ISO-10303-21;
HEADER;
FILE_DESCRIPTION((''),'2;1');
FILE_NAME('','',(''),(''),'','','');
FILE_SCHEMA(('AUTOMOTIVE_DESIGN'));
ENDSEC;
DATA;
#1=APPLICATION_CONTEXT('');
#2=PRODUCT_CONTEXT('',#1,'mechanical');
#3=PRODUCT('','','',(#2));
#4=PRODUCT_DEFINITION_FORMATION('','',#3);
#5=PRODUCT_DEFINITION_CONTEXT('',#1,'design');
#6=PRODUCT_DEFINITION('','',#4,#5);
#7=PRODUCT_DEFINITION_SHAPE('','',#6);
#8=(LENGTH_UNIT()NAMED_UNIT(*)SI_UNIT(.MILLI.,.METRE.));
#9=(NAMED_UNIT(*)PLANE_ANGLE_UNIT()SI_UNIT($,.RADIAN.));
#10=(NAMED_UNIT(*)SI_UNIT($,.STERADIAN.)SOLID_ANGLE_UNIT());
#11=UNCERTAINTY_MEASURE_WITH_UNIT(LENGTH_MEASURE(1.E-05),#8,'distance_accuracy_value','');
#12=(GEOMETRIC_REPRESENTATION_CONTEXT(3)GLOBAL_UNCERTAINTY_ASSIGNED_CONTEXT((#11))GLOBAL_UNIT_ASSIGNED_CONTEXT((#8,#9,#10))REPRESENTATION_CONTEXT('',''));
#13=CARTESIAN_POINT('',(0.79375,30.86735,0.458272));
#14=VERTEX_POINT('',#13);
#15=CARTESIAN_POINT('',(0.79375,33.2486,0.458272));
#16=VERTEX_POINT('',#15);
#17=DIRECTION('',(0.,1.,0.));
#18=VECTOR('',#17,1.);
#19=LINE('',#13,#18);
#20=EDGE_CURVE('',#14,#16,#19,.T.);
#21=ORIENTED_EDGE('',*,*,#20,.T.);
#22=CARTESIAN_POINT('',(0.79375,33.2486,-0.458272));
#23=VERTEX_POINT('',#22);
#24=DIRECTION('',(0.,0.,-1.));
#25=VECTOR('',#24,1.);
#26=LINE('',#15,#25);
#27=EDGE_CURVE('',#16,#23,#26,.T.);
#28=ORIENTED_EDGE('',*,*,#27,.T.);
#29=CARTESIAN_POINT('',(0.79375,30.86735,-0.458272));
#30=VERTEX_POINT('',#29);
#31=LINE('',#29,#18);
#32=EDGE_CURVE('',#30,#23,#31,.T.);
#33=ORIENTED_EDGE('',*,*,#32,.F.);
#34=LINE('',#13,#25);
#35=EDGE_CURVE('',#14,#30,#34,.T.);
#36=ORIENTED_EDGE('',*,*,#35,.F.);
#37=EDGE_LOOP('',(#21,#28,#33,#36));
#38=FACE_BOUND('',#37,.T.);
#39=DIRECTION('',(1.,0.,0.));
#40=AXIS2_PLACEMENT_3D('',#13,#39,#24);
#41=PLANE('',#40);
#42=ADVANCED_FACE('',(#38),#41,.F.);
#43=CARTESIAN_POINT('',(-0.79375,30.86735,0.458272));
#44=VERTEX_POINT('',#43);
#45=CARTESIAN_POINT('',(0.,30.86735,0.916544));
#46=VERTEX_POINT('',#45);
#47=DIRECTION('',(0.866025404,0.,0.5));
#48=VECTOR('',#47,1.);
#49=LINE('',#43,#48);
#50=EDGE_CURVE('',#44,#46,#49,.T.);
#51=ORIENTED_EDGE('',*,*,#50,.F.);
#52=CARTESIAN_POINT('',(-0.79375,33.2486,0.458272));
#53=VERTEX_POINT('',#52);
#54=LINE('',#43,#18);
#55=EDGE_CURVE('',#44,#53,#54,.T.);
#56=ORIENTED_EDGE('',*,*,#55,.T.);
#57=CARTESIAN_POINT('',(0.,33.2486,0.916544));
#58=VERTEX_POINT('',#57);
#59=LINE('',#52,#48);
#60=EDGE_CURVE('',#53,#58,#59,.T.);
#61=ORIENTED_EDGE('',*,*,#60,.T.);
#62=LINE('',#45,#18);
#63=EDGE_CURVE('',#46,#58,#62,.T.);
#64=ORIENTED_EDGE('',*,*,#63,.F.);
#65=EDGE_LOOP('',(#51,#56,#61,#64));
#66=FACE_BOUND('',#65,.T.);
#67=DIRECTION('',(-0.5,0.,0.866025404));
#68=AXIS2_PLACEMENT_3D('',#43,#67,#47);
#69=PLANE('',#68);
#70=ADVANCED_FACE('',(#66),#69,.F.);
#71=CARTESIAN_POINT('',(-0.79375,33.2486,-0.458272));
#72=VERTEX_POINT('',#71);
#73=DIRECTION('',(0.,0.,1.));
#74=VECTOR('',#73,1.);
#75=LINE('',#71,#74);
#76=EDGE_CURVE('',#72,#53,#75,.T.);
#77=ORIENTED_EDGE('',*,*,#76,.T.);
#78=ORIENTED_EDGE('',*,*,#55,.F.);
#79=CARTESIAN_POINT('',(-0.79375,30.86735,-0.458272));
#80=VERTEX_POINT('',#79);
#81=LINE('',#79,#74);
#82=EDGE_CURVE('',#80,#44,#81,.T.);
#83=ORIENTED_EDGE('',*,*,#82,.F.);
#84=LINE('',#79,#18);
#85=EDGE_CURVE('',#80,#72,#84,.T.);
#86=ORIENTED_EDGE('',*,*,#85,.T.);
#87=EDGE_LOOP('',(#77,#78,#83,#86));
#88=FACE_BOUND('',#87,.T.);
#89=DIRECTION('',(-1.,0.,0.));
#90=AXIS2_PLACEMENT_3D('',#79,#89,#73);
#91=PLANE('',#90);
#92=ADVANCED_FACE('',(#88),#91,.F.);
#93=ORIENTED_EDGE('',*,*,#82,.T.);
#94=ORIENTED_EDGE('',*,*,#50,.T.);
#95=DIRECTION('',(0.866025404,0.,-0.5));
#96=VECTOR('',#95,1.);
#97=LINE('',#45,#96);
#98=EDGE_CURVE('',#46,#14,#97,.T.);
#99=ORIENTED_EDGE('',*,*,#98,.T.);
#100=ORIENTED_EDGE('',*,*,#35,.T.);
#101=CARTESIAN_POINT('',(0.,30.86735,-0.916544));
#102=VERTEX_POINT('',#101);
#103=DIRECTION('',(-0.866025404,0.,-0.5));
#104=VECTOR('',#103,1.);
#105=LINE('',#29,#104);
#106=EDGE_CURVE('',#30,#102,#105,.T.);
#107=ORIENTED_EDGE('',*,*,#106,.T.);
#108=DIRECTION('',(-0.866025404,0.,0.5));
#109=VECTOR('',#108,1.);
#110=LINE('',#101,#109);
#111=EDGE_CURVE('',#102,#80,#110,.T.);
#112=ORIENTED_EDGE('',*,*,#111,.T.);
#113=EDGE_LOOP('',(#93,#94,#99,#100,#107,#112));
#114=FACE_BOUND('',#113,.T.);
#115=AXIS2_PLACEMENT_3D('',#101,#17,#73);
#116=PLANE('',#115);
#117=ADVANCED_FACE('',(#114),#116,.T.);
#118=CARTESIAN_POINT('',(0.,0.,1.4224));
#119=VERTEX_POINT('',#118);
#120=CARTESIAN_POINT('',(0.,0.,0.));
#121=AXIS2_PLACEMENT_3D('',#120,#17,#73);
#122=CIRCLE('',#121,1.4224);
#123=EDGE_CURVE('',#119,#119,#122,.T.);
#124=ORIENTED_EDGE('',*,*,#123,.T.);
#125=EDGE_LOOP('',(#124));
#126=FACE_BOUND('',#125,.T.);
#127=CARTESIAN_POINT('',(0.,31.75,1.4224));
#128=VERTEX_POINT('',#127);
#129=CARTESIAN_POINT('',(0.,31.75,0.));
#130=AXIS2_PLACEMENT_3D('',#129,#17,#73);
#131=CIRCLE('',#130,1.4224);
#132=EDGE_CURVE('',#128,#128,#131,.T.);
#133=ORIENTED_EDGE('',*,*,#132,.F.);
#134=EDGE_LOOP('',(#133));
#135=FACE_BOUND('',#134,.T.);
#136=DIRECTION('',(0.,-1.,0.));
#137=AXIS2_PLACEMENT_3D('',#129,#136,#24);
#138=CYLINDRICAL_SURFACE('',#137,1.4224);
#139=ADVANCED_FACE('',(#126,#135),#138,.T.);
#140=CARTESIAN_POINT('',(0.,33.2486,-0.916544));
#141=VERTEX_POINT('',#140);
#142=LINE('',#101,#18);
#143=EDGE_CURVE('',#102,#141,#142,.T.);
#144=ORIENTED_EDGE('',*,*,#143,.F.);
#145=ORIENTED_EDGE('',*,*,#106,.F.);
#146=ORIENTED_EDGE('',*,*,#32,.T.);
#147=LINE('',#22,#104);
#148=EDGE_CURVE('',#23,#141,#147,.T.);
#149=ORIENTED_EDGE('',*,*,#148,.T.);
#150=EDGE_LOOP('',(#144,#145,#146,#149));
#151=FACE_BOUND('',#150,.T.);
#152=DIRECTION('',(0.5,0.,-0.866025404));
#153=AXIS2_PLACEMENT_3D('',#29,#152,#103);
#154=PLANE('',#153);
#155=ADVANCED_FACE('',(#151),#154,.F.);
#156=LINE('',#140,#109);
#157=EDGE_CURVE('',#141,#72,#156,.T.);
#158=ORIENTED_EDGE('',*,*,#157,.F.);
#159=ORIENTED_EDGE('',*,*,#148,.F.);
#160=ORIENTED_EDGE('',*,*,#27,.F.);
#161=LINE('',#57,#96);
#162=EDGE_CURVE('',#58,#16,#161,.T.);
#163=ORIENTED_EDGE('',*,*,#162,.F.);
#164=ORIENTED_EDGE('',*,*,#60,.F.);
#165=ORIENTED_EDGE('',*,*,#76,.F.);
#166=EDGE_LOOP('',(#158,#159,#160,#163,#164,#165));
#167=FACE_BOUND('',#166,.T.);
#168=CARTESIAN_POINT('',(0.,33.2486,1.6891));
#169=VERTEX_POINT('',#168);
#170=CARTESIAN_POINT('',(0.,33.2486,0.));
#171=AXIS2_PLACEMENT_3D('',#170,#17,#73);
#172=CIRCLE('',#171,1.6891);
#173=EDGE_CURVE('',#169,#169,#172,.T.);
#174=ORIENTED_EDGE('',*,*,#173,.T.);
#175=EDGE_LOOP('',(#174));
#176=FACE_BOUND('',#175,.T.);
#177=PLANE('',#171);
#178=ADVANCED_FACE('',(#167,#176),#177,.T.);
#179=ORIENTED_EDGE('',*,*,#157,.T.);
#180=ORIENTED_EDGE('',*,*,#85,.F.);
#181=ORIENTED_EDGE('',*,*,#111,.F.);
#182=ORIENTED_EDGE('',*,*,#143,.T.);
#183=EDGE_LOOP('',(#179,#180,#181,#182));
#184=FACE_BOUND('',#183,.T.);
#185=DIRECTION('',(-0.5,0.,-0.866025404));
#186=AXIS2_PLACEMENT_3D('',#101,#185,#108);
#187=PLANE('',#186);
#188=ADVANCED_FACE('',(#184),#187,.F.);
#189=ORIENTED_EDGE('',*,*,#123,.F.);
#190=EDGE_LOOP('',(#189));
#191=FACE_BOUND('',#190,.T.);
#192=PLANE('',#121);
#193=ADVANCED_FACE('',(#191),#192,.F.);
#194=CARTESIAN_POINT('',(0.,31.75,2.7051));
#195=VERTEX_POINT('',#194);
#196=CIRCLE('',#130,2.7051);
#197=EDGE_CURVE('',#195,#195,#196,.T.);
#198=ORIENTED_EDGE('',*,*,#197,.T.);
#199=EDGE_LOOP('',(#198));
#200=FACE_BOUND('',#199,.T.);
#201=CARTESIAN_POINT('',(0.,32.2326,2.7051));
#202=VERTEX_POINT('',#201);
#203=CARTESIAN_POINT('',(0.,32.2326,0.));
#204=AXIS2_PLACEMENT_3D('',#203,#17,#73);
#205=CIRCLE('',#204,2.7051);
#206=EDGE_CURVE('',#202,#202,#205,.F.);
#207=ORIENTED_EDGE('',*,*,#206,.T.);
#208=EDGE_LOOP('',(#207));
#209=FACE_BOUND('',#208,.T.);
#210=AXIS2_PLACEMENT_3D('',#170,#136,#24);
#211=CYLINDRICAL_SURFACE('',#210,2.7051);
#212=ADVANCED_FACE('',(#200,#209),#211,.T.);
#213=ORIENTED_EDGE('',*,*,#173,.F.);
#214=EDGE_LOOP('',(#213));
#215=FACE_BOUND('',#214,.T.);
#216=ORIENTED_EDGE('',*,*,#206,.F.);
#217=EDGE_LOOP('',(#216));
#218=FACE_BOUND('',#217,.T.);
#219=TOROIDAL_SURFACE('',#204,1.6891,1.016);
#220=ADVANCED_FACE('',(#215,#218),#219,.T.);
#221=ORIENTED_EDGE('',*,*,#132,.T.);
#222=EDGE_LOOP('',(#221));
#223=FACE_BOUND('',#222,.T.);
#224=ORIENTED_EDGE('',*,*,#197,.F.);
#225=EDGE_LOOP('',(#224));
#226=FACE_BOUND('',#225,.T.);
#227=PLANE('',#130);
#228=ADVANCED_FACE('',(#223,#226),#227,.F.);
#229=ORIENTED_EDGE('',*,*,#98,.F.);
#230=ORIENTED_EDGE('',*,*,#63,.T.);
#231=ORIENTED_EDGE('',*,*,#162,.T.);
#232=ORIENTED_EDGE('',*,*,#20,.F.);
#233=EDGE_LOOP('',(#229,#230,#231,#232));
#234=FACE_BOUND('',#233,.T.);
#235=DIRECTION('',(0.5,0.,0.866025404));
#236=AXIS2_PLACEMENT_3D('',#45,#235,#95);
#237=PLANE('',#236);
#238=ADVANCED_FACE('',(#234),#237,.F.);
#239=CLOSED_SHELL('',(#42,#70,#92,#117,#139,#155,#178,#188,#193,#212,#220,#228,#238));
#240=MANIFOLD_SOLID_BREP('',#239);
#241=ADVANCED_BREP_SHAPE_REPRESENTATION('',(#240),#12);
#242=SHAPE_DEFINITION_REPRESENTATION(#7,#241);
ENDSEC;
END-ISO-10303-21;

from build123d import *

# Parameters (mm, degrees)
SKETCH1_R           = 1.4224
BOSS_EXTRUDE1_DEPTH = 31.75
SKETCH2_R           = 2.7051
BOSS_EXTRUDE2_DEPTH = 1.4986
FILLET1_R           = 1.016
CUT_EXTRUDE1_DEPTH  = 2.38125


with BuildPart() as part:
    # Sketch1 → Boss-Extrude1 (new body)
    with BuildSketch(Plane(origin=(0, 0, 0), x_dir=(1, 0, 0), z_dir=(0, 1, 0))):
        Circle(SKETCH1_R)
    extrude(amount=BOSS_EXTRUDE1_DEPTH)

    # Sketch2 → Boss-Extrude2 (add)
    with BuildSketch(Plane(origin=(0, 31.75, 0), x_dir=(1, 0, 0), z_dir=(0, 1, 0))):
        Circle(SKETCH2_R)
    extrude(amount=BOSS_EXTRUDE2_DEPTH)

    # Fillet1
    fillet1_edges = [part.edges().sort_by_distance(p)[0] for p in [
        (-2.7051, 33.2486, 0),
    ]]
    fillet(fillet1_edges, radius=FILLET1_R)

    # Sketch3 → Cut-Extrude1 (cut)
    with BuildSketch(Plane(origin=(0, 33.2486, 0), x_dir=(1, 0, 0), z_dir=(0, 1, 0))):
        Polygon((0, 0.916543552), (-0.79375, 0.458271776), (-0.79375, -0.458271776), (0, -0.916543552), (0.79375, -0.458271776), (0.79375, 0.458271776), align=None)
    extrude(amount=-CUT_EXTRUDE1_DEPTH, mode=Mode.SUBTRACT)


solid = part.part
